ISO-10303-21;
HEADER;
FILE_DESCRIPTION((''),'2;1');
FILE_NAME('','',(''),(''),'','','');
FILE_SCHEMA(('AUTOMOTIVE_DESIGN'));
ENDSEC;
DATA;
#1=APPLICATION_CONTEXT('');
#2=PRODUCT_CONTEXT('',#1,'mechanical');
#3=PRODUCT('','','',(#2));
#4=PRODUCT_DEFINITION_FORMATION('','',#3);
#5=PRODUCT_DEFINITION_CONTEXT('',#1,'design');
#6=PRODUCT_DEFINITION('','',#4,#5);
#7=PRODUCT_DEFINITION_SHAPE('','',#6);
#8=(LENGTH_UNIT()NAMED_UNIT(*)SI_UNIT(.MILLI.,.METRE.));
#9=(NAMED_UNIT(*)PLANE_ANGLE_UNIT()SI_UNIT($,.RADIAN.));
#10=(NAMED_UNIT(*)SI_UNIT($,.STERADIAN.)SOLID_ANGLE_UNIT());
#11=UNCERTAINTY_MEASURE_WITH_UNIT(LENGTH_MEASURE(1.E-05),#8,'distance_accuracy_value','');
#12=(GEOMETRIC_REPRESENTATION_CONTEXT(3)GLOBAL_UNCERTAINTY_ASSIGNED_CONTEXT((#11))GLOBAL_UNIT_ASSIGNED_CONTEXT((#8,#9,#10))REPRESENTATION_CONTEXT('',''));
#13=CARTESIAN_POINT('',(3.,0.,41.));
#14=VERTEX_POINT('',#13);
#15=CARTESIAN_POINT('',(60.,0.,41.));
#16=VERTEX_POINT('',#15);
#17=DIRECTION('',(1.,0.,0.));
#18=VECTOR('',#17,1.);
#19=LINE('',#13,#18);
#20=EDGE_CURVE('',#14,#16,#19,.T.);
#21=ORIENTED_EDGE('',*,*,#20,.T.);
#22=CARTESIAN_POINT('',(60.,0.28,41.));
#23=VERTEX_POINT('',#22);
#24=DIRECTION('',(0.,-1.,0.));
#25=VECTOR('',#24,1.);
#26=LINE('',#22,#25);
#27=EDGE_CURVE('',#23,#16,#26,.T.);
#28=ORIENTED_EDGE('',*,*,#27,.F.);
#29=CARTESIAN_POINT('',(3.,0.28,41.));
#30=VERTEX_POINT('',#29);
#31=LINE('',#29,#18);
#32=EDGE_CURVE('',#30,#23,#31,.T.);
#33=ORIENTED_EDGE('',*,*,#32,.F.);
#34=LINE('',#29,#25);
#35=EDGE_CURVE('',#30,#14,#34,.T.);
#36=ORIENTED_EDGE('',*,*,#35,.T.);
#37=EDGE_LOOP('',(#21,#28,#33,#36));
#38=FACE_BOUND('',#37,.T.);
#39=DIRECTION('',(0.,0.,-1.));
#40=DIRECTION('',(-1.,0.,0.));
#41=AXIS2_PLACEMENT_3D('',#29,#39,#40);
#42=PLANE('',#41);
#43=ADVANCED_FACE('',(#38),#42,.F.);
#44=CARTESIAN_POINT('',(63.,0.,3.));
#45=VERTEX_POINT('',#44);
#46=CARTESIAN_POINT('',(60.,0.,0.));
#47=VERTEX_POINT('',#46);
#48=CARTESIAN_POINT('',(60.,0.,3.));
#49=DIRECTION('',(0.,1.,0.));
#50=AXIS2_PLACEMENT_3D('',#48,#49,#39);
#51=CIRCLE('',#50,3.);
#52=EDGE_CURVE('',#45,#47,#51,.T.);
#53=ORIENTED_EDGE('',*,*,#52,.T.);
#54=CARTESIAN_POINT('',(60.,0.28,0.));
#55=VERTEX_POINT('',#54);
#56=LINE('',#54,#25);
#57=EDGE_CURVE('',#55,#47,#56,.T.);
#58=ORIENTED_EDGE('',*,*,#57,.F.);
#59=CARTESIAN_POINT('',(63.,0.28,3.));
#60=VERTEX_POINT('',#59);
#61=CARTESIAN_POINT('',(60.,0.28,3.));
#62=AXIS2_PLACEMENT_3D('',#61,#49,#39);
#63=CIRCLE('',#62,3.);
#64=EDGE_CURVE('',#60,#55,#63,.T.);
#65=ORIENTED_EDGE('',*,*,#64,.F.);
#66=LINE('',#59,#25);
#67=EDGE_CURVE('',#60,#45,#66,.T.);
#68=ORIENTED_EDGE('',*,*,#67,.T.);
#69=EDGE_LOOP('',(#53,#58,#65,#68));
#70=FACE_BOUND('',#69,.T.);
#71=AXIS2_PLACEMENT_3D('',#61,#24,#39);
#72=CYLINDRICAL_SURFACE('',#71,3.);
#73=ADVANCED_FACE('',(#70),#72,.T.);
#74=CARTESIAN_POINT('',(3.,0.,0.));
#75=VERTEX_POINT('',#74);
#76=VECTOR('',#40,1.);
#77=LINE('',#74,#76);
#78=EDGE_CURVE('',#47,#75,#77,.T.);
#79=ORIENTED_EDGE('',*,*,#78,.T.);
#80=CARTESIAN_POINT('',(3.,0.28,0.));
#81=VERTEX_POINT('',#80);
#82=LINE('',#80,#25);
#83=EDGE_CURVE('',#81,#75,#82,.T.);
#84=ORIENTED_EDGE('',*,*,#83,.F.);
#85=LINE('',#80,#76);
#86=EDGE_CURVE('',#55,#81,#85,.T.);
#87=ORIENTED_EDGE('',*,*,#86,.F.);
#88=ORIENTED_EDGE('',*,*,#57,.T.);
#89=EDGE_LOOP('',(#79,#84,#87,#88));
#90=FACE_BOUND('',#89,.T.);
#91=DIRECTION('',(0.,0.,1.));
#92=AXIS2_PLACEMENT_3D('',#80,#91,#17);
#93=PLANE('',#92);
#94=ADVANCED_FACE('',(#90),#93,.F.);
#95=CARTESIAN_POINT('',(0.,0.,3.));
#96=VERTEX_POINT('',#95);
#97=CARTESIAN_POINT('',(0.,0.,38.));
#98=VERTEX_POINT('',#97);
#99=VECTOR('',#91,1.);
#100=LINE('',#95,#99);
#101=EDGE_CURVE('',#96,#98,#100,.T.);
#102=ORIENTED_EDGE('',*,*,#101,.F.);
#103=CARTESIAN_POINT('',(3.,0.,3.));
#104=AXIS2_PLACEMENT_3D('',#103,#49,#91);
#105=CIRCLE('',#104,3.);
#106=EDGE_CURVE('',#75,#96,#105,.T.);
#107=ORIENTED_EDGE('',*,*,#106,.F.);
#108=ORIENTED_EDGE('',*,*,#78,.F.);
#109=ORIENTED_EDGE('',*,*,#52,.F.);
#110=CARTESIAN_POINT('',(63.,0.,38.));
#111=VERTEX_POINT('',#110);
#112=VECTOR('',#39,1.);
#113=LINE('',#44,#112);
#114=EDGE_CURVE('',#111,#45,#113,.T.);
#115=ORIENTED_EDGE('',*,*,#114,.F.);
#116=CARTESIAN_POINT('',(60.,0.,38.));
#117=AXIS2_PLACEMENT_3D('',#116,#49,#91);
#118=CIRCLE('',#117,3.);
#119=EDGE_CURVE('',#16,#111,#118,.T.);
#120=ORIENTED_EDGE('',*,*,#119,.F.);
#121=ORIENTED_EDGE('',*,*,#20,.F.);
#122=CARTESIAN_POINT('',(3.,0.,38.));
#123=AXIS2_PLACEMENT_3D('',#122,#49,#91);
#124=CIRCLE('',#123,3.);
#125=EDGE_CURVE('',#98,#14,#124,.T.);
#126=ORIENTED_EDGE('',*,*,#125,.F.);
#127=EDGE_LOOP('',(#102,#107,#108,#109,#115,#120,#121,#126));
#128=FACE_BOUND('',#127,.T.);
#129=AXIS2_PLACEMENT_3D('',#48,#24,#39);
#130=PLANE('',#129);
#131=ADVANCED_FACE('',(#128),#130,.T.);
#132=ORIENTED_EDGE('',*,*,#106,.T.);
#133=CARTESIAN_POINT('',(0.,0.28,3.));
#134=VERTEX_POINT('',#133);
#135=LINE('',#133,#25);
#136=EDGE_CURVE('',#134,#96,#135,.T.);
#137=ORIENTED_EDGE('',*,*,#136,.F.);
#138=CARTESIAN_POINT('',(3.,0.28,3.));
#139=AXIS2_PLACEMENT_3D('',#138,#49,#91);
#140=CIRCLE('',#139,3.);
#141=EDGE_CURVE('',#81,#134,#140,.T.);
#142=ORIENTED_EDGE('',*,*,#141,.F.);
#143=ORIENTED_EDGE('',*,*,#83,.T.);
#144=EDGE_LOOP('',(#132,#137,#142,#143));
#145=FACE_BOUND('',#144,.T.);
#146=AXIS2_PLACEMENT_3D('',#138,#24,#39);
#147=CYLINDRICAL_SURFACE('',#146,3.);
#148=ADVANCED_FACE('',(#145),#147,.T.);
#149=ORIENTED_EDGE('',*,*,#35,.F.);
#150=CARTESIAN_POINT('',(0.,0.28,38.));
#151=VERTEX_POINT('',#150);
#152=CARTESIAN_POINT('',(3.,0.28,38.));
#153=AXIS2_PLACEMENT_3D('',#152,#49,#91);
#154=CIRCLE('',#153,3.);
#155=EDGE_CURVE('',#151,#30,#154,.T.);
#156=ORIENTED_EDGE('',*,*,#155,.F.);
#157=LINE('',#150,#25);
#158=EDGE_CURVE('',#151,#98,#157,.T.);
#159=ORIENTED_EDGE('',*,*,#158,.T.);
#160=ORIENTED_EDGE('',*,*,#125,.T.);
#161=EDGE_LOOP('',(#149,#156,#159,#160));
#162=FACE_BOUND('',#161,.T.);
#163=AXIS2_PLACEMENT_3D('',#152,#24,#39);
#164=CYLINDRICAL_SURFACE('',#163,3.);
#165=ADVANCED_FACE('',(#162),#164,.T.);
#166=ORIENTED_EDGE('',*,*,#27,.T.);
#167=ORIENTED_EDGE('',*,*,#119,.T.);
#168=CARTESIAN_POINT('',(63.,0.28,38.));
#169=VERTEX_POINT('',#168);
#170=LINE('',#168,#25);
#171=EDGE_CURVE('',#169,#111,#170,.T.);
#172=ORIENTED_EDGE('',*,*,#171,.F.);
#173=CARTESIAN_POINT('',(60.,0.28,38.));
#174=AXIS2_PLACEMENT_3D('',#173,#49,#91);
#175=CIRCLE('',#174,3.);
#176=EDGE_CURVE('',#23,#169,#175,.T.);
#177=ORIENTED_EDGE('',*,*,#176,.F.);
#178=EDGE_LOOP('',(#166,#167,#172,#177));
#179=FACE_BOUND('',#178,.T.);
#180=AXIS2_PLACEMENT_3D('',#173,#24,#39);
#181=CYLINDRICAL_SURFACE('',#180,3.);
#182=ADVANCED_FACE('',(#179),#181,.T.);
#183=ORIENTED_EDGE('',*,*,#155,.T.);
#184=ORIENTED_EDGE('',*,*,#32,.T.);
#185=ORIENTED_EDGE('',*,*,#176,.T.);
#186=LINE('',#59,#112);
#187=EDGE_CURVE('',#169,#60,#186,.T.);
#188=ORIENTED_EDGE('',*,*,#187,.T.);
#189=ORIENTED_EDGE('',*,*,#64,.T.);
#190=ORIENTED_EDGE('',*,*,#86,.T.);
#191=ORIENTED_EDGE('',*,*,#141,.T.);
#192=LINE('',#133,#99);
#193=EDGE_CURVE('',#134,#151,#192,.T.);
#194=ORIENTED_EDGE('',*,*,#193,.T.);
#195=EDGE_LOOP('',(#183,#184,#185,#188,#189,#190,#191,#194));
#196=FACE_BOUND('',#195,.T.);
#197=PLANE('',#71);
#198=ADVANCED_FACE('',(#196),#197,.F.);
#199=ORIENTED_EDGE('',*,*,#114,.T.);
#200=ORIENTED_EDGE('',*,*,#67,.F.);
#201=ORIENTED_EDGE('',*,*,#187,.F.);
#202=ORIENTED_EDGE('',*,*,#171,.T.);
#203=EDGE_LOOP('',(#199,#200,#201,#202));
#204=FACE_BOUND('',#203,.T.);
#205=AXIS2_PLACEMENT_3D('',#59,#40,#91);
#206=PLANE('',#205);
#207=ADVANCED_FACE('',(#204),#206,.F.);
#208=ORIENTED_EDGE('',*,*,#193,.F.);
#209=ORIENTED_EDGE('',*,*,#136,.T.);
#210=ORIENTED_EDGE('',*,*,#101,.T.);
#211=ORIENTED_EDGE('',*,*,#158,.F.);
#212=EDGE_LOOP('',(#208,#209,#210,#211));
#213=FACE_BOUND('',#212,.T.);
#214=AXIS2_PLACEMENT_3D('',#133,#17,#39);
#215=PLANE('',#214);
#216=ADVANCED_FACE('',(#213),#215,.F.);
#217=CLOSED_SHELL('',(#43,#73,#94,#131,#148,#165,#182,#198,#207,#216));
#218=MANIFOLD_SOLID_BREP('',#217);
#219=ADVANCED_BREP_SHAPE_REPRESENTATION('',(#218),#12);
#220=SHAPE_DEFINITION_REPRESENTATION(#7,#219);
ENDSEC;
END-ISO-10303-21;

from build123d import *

# Parameters (mm, degrees)
EXTRUDE_1_DEPTH = 0.28


with BuildPart() as part:
    # Эскиз1 → Бобышка-Вытянуть1 (new body)
    with BuildSketch(Plane(origin=(0, 0, 0), x_dir=(1, 0, 0), z_dir=(0, 1, 0))):
        with BuildLine():
            Line((3, 0), (60, 0))
            ThreePointArc((60, 0), (62.121320344, -0.878679656), (63, -3))
            Line((63, -3), (63, -38))
            ThreePointArc((63, -38), (62.121320344, -40.121320344), (60, -41))
            Line((60, -41), (3, -41))
            ThreePointArc((3, -41), (0.878679656, -40.121320344), (0, -38))
            Line((0, -38), (0, -3))
            ThreePointArc((0, -3), (0.878679656, -0.878679656), (3, 0))
        make_face()
    extrude(amount=EXTRUDE_1_DEPTH)


solid = part.part
